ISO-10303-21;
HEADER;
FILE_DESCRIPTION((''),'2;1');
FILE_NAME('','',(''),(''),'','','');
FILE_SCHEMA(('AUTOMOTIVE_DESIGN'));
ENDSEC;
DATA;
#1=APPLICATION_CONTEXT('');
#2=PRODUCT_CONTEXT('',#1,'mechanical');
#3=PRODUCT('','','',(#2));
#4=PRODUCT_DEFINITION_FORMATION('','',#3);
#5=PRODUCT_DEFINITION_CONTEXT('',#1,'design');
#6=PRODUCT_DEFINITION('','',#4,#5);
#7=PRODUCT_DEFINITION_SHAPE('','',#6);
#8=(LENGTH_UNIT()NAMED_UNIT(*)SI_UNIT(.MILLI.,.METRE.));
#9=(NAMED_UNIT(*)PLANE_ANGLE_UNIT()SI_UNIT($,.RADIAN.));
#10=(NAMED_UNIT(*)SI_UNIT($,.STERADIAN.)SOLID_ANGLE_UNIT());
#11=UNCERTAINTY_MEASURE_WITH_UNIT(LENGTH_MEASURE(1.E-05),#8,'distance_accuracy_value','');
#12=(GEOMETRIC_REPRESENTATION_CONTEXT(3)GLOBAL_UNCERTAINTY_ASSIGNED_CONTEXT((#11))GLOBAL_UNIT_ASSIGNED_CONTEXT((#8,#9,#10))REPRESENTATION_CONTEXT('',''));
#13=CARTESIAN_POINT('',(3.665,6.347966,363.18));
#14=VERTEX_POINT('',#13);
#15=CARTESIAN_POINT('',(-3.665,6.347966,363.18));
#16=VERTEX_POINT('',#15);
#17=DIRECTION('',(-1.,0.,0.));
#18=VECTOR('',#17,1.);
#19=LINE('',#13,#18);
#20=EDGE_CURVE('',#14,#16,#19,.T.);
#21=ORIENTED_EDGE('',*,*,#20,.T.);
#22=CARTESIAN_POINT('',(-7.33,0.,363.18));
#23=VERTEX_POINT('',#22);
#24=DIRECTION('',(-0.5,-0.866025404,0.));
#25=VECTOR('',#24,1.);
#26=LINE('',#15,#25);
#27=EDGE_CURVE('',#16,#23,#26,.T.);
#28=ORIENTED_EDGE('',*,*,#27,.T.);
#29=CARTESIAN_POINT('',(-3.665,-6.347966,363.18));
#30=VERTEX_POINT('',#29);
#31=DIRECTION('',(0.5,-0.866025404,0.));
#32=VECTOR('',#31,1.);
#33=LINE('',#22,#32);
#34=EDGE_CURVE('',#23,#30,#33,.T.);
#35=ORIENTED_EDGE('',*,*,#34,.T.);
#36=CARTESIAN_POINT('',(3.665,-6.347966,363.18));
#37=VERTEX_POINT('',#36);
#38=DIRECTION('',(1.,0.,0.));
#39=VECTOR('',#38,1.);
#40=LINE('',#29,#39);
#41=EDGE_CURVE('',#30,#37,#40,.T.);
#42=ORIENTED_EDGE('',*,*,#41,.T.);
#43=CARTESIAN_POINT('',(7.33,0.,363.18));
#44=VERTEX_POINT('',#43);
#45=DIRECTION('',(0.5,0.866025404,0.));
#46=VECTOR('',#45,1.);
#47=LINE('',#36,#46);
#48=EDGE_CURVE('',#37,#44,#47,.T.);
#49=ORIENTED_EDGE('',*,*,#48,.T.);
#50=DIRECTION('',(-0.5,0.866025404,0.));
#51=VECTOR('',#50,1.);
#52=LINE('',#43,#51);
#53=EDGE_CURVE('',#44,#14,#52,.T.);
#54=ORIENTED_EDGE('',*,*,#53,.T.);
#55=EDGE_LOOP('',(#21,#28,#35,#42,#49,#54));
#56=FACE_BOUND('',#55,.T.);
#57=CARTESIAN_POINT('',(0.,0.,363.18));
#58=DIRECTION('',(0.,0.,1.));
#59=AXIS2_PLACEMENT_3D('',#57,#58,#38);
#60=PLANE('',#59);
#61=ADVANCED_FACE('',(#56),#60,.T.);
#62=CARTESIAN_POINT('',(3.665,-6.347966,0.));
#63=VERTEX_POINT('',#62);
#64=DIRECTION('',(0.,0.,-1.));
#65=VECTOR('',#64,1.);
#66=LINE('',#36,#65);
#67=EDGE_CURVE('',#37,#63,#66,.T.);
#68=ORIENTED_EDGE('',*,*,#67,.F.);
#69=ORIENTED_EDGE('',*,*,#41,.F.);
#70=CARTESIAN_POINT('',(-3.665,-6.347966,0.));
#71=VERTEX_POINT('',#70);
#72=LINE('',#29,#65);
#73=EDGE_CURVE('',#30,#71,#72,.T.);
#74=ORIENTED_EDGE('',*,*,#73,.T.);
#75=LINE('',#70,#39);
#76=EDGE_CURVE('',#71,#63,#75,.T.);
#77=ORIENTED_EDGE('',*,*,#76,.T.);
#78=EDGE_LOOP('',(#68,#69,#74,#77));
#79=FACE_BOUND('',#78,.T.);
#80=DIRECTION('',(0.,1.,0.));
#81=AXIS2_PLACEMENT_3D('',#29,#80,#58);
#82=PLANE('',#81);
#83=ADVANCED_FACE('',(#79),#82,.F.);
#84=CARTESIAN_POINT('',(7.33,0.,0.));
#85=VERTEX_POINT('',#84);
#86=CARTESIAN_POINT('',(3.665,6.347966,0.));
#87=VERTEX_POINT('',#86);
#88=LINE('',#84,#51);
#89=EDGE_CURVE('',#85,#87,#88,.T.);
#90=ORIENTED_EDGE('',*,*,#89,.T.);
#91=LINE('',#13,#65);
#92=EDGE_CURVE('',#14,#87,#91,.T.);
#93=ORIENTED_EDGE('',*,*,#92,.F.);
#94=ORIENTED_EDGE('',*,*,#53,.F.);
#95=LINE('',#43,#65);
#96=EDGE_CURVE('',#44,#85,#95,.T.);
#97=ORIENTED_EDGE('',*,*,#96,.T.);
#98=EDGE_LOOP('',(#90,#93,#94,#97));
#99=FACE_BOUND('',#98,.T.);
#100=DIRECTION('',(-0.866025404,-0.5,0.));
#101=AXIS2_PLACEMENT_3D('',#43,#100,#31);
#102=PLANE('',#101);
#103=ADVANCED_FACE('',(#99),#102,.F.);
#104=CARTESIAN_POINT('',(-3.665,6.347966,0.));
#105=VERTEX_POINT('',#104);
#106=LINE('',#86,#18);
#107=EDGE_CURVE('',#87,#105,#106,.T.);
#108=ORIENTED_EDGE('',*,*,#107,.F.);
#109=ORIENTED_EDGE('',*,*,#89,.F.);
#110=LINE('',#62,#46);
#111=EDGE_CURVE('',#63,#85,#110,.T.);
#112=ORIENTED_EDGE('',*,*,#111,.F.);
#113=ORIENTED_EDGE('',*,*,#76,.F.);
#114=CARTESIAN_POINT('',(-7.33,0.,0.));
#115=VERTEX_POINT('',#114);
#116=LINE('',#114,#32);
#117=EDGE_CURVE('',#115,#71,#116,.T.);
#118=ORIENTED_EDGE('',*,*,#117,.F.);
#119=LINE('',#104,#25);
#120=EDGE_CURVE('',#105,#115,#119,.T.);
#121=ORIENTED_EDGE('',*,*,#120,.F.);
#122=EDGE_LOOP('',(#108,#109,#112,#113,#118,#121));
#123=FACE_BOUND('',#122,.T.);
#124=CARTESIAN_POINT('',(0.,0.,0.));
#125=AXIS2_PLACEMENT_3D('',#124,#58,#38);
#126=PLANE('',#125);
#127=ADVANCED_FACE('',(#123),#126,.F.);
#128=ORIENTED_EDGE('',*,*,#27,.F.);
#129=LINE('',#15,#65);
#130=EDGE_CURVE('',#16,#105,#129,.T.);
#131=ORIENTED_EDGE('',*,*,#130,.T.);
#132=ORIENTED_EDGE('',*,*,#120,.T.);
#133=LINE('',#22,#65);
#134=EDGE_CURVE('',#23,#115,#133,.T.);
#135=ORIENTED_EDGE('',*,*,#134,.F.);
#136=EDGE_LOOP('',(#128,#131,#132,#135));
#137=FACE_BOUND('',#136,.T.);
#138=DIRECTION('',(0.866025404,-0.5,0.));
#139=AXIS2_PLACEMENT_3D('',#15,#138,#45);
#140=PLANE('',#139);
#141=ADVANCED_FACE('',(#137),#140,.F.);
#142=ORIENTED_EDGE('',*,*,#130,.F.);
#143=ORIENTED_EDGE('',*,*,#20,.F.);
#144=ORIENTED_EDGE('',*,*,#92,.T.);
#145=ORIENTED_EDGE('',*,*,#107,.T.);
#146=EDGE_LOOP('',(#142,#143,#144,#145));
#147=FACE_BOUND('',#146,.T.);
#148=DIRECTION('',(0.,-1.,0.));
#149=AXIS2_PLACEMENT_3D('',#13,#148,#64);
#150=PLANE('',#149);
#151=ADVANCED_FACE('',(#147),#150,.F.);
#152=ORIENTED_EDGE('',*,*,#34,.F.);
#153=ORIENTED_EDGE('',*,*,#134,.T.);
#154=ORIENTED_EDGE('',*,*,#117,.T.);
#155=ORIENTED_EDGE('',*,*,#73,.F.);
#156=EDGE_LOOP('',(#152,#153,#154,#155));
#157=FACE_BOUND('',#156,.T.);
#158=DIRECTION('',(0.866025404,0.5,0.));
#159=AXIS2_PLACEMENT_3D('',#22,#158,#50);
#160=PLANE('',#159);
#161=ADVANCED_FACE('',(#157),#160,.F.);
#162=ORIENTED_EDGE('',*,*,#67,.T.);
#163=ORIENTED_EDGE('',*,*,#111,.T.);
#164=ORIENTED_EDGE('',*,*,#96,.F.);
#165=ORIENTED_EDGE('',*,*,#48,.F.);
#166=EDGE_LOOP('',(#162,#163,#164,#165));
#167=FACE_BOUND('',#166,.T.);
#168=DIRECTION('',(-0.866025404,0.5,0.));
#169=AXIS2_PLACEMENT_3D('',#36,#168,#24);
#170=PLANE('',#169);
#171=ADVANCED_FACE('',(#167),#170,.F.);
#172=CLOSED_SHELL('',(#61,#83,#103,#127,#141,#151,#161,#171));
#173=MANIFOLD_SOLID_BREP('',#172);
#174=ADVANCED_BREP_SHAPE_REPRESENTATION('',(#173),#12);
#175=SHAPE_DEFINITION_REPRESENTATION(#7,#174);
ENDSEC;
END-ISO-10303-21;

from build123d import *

# Parameters (mm, degrees)
BOSS_EXTRUDE1_DEPTH = 363.18


with BuildPart() as part:
    # Sketch1 → Boss-Extrude1 (new body)
    with BuildSketch(Plane.XY):
        Polygon((-3.665, 6.34796621), (-7.33, 0), (-3.665, -6.34796621), (3.665, -6.34796621), (7.33, 0), (3.665, 6.34796621), align=None)
    extrude(amount=BOSS_EXTRUDE1_DEPTH)


solid = part.part
